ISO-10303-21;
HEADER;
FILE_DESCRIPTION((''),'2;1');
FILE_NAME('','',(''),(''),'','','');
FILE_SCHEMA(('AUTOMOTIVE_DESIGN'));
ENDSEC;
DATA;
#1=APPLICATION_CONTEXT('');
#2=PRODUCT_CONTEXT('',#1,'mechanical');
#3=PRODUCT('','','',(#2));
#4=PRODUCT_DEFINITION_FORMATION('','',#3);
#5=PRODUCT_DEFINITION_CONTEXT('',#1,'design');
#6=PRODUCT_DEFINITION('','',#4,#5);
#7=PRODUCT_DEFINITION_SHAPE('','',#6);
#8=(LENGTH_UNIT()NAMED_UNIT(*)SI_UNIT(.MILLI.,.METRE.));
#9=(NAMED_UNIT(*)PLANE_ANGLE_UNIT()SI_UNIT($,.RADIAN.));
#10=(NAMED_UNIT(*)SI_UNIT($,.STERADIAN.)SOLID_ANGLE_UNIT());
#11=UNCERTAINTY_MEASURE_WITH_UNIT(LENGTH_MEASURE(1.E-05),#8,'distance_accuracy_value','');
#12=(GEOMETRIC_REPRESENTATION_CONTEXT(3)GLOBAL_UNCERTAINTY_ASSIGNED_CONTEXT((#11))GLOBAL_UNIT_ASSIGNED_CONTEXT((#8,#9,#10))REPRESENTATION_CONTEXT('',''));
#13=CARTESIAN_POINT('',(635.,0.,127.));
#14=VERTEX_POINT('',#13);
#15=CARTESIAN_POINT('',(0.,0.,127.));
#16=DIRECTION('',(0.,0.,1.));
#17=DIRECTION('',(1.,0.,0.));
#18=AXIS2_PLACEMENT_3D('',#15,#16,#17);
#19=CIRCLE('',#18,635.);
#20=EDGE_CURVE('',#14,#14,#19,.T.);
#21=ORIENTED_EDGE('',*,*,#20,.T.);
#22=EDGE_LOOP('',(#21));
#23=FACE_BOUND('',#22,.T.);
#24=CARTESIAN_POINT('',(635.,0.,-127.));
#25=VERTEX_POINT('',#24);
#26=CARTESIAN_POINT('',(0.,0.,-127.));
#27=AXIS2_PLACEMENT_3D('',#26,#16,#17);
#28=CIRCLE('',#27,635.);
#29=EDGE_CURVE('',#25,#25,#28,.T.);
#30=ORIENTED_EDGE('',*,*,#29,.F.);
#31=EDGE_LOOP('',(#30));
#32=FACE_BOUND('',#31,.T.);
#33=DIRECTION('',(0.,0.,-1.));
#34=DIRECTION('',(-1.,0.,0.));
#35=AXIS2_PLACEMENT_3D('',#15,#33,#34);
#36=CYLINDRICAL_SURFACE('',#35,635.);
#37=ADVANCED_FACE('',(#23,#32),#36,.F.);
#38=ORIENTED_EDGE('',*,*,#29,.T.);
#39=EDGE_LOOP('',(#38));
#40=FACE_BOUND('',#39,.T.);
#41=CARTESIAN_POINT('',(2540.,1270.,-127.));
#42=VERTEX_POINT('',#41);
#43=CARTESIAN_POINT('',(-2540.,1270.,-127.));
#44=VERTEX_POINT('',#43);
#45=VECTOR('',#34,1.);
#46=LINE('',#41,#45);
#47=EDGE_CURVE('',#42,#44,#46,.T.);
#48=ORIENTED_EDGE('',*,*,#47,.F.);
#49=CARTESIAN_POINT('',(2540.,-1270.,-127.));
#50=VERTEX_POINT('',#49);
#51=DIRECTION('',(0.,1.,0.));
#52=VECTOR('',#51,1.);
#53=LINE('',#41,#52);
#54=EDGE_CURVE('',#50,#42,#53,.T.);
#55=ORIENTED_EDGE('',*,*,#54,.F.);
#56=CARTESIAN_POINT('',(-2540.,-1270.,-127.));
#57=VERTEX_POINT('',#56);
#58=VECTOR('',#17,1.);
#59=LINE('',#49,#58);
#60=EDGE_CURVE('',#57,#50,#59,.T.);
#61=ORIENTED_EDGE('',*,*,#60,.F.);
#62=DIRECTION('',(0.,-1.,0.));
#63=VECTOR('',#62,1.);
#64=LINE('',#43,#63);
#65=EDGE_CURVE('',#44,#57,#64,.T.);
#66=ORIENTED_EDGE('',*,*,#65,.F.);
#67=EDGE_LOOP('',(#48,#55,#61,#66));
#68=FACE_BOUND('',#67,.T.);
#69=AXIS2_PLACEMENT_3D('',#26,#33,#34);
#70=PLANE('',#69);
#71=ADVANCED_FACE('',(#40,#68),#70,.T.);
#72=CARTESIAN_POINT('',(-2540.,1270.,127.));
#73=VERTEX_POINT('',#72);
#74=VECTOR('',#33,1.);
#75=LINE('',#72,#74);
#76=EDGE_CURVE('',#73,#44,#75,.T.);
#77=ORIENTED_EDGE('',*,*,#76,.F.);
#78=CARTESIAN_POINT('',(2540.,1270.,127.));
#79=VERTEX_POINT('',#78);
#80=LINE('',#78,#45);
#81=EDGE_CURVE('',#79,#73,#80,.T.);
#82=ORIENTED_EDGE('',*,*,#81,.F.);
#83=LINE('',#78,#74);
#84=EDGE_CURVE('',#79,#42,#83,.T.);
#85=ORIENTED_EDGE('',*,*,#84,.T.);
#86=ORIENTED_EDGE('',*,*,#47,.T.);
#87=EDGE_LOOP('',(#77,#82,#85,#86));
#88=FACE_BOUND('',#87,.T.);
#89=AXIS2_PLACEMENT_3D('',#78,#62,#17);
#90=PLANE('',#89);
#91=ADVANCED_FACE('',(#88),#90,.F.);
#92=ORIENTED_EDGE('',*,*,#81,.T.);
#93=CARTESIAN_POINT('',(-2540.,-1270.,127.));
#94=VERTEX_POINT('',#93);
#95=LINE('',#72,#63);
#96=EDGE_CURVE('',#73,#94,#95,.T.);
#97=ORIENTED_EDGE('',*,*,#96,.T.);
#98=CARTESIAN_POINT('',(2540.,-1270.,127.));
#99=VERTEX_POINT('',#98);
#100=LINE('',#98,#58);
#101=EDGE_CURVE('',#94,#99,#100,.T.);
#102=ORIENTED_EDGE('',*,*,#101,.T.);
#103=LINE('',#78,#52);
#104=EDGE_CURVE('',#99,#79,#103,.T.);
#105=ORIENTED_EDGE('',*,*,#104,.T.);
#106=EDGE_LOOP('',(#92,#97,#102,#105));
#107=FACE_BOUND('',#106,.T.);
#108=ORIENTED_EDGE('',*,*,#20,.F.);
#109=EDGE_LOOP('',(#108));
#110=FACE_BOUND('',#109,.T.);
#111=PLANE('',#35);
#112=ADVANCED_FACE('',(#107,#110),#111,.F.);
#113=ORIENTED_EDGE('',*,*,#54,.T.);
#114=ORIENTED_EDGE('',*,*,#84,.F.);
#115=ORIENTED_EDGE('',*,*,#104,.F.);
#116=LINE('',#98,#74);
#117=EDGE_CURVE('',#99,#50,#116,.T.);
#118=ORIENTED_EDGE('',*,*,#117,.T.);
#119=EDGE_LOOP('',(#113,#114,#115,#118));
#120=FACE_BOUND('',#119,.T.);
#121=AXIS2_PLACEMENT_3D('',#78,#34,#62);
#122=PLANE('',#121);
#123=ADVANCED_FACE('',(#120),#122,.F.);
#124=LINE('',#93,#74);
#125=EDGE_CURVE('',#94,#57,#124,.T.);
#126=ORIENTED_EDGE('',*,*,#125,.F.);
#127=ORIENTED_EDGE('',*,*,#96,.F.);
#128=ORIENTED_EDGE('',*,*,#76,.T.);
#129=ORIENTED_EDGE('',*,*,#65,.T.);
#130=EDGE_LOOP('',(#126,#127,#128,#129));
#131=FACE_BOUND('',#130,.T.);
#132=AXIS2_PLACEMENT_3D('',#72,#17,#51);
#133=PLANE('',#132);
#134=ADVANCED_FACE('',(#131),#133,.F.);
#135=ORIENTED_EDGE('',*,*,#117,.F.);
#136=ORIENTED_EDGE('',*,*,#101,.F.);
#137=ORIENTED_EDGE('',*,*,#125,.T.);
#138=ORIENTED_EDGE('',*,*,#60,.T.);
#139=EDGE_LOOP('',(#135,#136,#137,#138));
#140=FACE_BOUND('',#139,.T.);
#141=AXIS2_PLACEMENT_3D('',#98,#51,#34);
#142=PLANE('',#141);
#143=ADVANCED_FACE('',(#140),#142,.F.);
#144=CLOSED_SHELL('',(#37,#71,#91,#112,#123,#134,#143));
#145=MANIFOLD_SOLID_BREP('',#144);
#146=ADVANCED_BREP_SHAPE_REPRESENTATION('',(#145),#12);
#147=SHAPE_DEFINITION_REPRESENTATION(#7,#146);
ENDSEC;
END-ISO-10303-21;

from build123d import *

# Parameters (mm, degrees)
SKETCH1_W           = 5080
SKETCH1_H           = 2540
SKETCH1_R           = 635
BOSS_EXTRUDE1_DEPTH = 127


with BuildPart() as part:
    # Sketch1 → Boss-Extrude1 (new body, symmetric)
    with BuildSketch(Plane.XY):
        Rectangle(SKETCH1_W, SKETCH1_H)
        Circle(SKETCH1_R, mode=Mode.SUBTRACT)
    extrude(amount=BOSS_EXTRUDE1_DEPTH, both=True)


solid = part.part
